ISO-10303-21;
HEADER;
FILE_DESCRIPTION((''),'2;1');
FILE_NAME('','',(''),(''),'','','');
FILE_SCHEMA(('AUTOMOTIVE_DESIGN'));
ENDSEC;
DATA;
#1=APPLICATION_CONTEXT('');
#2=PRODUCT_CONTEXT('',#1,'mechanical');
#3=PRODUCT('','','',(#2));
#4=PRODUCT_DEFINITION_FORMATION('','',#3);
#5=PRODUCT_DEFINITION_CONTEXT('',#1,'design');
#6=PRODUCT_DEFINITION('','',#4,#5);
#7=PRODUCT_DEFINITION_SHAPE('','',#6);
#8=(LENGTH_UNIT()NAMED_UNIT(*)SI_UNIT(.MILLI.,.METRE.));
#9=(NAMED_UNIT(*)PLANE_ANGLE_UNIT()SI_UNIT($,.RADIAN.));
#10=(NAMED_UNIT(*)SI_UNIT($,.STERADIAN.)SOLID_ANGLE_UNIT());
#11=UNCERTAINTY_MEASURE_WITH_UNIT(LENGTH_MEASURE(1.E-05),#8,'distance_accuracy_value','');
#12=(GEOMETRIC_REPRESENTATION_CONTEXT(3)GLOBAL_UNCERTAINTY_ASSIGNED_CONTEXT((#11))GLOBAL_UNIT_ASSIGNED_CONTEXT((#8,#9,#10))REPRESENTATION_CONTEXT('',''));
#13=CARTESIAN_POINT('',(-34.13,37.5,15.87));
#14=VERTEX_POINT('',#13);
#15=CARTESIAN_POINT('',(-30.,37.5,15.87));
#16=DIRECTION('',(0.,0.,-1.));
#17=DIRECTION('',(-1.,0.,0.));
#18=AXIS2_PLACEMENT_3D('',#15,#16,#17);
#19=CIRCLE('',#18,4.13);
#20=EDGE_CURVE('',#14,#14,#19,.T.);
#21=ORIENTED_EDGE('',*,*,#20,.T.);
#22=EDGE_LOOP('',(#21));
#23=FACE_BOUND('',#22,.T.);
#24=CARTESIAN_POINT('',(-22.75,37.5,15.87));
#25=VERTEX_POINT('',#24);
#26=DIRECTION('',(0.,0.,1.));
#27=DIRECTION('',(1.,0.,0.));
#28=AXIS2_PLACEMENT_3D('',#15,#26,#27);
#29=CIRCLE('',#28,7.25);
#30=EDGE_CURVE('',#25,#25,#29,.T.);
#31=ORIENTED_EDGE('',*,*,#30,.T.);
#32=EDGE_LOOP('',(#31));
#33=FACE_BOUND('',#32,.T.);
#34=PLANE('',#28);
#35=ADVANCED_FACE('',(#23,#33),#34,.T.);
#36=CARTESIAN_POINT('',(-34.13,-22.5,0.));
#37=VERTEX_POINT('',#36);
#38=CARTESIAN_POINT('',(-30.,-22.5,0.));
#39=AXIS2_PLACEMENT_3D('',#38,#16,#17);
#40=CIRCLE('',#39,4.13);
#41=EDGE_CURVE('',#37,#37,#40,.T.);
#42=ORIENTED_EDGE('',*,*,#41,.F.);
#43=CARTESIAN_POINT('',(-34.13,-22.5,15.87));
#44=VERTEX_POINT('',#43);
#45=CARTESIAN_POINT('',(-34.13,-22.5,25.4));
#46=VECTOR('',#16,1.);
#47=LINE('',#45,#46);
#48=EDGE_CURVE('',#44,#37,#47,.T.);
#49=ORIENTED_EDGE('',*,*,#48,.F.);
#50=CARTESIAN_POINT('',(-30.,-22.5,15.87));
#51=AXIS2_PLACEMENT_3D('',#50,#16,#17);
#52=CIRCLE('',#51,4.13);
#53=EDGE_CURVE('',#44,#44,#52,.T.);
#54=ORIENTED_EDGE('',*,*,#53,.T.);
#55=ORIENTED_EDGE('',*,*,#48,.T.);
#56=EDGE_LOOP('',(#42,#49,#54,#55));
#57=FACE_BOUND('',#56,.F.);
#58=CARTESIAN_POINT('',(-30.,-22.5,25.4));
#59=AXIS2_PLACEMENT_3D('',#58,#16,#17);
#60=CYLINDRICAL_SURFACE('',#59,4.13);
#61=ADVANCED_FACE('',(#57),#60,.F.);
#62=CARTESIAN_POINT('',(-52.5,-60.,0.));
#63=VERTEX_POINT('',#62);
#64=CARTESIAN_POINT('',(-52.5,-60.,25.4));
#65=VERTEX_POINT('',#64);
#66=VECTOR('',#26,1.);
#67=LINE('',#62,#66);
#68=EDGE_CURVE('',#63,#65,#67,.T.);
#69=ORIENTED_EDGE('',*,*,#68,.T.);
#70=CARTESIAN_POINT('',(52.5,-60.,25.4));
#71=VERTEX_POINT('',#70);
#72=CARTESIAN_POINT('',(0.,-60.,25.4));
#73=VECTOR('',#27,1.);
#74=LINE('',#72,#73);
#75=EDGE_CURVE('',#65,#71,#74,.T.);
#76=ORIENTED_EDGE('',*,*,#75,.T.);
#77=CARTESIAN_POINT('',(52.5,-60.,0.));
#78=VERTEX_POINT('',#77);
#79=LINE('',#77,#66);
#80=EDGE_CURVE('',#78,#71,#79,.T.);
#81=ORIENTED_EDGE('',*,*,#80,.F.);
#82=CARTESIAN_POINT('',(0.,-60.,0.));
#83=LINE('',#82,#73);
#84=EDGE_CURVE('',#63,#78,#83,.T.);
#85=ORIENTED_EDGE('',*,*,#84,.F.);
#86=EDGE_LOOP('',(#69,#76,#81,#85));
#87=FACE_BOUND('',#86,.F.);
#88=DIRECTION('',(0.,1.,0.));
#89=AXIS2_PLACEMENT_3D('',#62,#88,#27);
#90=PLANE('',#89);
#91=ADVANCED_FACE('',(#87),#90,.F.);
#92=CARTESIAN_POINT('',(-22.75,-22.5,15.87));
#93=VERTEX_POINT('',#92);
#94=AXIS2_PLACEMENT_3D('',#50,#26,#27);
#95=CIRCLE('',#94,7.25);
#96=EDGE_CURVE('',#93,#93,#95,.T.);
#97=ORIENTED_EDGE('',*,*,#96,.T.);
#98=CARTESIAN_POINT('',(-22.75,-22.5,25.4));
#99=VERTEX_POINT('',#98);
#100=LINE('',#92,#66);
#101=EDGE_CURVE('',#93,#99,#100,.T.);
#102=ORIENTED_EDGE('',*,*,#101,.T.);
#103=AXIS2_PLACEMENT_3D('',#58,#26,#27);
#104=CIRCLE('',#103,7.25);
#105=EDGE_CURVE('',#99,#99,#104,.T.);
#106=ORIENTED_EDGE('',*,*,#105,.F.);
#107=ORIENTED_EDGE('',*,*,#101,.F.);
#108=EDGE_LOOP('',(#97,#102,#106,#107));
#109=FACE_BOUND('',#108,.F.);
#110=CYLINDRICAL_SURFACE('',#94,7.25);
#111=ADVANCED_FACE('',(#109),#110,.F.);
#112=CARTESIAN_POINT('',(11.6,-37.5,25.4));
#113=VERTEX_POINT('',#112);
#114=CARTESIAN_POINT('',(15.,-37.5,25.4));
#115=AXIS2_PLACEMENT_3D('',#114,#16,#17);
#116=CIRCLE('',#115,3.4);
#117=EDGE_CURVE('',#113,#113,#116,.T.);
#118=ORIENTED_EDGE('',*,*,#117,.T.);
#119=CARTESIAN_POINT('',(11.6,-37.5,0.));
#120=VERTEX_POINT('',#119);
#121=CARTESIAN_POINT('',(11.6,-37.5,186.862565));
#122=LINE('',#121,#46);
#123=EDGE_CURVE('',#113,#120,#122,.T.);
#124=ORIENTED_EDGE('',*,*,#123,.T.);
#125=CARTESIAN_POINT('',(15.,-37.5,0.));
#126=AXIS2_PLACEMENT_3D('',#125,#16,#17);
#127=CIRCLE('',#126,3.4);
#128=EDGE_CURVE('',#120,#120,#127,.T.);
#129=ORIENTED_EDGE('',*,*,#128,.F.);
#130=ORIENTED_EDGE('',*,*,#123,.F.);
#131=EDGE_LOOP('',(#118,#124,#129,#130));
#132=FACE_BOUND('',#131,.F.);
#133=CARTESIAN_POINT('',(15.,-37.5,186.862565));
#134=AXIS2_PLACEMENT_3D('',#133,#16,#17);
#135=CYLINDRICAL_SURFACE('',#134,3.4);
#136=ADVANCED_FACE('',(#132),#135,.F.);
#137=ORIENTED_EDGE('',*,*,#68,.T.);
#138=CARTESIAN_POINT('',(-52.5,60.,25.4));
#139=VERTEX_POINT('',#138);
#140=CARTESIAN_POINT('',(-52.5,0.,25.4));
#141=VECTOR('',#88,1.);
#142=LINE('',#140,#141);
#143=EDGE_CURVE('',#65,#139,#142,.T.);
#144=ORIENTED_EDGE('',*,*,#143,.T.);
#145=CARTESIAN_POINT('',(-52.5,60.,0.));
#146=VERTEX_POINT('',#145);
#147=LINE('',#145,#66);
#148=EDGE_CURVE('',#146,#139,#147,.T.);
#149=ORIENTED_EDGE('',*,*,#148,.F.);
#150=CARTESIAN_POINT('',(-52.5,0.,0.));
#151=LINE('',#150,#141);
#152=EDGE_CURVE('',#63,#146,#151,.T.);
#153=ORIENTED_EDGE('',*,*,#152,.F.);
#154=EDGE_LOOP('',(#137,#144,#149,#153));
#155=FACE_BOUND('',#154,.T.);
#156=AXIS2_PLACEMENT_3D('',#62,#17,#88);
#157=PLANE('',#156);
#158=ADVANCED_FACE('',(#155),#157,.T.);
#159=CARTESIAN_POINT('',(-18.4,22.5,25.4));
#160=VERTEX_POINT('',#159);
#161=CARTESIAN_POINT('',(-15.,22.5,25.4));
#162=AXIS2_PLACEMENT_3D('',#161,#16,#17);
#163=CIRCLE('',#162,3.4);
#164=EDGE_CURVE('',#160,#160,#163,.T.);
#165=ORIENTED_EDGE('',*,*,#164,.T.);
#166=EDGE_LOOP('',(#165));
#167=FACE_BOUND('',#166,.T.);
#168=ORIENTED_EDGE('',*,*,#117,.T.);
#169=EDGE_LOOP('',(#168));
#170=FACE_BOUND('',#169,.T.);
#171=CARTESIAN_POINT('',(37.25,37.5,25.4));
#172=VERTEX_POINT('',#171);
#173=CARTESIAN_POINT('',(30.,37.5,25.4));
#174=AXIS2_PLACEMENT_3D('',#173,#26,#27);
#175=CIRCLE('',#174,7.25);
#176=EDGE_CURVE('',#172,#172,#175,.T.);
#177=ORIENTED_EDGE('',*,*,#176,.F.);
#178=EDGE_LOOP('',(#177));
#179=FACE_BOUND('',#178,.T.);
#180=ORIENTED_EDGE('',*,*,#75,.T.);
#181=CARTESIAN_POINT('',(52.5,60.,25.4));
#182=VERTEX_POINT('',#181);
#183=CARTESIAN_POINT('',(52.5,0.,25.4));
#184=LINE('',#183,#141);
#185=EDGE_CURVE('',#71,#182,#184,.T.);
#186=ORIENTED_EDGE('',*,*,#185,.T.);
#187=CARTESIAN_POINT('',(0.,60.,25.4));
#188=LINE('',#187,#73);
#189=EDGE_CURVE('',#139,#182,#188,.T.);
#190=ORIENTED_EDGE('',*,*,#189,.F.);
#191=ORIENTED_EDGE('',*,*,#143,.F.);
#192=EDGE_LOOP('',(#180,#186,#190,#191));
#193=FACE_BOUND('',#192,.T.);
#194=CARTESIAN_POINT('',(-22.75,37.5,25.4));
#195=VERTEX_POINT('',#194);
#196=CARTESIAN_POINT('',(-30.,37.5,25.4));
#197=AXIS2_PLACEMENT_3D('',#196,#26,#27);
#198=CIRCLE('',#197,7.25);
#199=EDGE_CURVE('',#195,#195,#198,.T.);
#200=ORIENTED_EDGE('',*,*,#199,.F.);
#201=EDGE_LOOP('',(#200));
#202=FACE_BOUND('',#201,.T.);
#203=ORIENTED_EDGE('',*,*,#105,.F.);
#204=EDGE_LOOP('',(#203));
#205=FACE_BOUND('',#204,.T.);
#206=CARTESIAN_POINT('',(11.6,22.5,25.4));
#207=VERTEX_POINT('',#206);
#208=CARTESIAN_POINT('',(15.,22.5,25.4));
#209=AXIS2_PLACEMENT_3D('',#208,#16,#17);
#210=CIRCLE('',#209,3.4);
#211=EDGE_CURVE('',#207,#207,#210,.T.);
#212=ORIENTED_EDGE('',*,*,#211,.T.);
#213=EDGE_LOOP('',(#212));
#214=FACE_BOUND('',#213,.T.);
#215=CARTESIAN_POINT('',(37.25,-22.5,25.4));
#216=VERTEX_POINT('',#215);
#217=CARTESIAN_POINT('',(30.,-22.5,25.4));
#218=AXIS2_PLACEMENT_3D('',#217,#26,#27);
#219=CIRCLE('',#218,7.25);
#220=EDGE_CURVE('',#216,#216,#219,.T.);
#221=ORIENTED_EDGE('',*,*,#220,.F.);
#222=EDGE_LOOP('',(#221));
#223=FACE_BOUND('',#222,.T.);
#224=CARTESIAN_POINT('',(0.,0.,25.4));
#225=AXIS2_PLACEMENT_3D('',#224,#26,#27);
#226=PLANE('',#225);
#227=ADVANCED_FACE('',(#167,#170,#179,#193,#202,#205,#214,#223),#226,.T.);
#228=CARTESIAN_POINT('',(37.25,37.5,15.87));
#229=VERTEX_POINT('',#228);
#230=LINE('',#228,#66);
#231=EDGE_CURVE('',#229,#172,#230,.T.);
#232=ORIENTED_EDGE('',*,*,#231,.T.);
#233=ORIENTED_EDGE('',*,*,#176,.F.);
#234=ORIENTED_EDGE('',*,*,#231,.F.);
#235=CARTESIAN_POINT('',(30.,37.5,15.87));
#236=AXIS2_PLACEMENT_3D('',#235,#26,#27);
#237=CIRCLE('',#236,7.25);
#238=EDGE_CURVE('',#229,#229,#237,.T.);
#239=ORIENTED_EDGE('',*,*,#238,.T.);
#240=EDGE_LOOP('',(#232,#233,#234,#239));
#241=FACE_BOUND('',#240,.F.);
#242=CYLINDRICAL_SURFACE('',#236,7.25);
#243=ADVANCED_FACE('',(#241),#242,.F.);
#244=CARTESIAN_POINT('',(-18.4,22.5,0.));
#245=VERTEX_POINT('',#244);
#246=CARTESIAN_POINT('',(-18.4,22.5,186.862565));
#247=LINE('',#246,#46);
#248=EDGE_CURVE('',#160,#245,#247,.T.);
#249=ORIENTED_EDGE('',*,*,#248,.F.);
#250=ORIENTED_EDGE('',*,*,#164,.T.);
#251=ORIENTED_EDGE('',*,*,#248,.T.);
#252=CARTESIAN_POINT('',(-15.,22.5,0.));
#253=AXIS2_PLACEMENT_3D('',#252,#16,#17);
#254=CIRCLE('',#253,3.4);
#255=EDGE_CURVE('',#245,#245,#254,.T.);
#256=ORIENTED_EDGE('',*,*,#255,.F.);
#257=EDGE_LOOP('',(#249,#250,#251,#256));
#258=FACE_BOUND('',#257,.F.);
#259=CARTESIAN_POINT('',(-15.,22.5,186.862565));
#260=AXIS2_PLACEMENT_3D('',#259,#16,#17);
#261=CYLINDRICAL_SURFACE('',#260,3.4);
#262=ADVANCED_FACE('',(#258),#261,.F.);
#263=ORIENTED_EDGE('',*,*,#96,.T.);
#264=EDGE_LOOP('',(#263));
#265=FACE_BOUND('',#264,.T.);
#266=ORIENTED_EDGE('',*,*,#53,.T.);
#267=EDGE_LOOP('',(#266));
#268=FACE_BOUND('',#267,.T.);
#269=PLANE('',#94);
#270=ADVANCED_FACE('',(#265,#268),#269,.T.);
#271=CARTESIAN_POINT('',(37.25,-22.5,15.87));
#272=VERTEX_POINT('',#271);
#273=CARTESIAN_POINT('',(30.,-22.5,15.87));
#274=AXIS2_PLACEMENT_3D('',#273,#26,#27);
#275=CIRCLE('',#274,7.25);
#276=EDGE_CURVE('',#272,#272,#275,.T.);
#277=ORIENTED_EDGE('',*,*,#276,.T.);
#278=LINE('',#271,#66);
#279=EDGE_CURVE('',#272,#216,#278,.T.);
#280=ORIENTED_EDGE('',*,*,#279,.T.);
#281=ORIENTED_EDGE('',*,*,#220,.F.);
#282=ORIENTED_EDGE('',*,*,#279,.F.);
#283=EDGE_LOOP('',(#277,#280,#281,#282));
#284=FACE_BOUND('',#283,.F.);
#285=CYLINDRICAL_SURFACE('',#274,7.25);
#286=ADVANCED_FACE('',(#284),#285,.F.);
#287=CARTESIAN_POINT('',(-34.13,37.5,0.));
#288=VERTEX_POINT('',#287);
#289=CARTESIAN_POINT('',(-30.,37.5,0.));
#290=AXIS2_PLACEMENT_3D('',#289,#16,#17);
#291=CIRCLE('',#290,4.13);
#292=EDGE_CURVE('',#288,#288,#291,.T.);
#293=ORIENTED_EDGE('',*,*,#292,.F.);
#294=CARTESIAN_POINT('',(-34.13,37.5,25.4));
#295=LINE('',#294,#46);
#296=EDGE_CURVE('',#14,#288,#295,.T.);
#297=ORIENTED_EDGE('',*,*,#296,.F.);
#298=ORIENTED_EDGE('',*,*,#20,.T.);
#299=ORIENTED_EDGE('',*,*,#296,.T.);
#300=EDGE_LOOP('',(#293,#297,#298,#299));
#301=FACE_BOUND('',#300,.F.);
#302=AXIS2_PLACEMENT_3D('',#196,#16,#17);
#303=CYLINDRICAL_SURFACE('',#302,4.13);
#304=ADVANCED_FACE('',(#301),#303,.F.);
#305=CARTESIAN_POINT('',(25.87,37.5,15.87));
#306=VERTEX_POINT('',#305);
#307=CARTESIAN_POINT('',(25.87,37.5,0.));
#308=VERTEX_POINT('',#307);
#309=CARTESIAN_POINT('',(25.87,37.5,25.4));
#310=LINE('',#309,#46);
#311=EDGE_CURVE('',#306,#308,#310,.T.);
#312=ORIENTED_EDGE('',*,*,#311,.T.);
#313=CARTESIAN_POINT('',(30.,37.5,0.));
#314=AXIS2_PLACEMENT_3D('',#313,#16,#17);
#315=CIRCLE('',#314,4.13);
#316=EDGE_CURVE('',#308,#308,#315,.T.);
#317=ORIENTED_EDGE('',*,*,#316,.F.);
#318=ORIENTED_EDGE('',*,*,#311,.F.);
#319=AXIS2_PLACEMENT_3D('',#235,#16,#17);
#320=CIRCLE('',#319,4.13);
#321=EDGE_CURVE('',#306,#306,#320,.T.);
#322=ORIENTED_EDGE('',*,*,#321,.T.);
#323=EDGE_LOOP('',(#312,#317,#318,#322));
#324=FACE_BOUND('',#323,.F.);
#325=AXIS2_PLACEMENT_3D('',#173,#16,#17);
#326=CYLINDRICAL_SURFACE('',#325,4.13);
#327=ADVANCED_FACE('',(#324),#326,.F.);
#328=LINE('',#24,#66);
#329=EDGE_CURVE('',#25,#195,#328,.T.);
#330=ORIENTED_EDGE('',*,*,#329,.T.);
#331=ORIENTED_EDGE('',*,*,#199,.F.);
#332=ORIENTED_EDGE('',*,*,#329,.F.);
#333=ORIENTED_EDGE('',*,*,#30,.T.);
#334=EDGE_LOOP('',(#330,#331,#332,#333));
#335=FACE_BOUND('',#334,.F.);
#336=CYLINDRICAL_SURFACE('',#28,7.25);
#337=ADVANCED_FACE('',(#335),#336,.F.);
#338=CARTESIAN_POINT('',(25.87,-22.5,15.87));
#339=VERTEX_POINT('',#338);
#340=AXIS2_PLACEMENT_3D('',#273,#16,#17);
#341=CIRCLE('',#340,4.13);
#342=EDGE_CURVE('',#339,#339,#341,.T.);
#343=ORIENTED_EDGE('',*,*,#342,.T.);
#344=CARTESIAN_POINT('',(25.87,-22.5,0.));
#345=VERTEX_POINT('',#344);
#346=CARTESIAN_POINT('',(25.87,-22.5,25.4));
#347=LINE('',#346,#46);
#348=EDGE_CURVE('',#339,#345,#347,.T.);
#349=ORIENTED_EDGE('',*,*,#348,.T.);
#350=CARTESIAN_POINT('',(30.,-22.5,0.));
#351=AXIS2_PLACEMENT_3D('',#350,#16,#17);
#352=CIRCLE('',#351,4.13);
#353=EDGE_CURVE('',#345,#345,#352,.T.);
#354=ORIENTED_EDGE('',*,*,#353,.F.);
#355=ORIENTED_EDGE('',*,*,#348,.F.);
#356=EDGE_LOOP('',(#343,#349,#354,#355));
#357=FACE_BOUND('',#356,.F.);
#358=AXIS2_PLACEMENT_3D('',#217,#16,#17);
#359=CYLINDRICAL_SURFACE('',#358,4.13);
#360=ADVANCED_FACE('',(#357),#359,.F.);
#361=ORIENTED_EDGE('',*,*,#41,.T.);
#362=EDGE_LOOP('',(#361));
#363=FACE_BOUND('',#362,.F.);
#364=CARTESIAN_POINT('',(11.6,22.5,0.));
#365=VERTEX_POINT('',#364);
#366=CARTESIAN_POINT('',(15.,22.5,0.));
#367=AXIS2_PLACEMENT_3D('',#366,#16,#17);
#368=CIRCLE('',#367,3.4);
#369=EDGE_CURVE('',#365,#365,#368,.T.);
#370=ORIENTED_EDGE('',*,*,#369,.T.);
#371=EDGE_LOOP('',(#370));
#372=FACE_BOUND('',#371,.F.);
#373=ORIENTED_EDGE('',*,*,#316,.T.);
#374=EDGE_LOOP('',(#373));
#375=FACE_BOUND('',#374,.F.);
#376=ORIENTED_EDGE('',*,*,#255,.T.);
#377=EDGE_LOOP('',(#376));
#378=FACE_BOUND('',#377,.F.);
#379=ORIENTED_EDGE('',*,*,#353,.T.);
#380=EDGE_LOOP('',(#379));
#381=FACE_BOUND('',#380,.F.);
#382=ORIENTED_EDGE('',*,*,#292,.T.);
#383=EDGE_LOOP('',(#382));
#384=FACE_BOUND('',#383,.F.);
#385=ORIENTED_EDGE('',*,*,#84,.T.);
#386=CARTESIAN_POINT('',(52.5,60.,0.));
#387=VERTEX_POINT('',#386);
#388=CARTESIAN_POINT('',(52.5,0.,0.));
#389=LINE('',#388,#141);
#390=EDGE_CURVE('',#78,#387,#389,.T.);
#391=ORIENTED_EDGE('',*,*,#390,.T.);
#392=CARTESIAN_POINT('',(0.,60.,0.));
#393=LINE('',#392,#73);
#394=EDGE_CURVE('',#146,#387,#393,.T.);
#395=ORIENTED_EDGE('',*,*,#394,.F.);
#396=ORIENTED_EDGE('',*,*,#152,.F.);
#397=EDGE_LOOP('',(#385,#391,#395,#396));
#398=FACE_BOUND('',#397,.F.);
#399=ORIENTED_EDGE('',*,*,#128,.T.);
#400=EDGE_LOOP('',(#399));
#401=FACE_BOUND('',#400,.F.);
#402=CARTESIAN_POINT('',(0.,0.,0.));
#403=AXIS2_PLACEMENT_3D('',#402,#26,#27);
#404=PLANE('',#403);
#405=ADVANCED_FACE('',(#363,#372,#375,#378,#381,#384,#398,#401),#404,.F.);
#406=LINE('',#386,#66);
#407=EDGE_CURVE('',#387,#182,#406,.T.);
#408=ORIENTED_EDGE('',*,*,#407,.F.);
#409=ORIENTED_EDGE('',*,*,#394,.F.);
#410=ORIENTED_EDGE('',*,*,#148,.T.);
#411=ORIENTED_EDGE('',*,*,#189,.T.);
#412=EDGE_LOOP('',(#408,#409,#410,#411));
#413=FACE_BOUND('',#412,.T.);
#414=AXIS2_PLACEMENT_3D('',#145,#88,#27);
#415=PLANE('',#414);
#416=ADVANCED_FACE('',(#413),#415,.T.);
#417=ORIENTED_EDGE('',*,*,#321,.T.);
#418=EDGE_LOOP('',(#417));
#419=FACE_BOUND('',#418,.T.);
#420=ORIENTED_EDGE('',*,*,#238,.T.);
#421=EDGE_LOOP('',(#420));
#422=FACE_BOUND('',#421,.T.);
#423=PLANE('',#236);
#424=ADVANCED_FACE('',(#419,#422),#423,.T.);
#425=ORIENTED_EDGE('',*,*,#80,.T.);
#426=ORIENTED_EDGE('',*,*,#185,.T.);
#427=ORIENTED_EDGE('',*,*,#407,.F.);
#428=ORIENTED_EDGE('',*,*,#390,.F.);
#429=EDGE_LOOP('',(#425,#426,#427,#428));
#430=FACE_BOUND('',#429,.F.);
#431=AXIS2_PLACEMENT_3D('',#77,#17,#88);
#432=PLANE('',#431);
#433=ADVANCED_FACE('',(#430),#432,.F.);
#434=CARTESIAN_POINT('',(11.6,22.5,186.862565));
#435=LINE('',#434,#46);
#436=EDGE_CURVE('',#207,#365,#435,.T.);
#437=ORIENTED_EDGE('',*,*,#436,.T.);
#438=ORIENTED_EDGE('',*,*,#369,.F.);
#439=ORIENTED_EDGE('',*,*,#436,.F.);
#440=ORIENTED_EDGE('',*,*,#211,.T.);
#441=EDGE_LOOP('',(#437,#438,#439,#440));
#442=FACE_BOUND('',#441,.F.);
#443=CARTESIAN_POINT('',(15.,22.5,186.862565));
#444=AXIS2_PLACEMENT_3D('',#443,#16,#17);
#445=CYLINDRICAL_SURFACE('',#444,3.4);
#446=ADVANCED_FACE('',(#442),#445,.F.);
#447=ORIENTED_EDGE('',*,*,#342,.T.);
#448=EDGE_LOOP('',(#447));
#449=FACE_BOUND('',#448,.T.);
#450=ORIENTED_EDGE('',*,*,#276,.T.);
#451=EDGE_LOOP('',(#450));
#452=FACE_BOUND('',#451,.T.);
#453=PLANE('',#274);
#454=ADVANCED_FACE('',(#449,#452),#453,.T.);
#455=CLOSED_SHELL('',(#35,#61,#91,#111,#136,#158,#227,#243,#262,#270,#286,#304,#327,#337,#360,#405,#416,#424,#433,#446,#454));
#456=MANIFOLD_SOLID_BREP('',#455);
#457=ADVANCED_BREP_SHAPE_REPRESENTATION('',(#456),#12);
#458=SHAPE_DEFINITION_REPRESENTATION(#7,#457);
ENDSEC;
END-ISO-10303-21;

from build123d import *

# Parameters (mm, degrees)
F0_W           = 105
F0_H           = 120
F1_DEPTH       = 25.4
F3_D           = 8.26
F3_CBORE_D     = 14.5
F3_CBORE_DEPTH = 9.53
F5_D           = 6.8


with BuildPart() as f1:
    # F0 (on Top) → F1 (new body)
    with BuildSketch(Plane.XY):
        Rectangle(F0_W, F0_H)
    extrude(amount=F1_DEPTH)

    # F3 (through all)
    with Locations(Plane.XY.offset(25.4)):
        with Locations((-30, 37.5), (30, 37.5), (30, -22.5), (-30, -22.5)):
            CounterBoreHole(F3_D / 2, F3_CBORE_D / 2, F3_CBORE_DEPTH)

    # F5 (through all)
    with Locations(Plane.XY.offset(25.4)):
        with Locations((15, -37.5), (15, 22.5), (-15, 22.5)):
            Hole(F5_D / 2)


solid = f1.part
